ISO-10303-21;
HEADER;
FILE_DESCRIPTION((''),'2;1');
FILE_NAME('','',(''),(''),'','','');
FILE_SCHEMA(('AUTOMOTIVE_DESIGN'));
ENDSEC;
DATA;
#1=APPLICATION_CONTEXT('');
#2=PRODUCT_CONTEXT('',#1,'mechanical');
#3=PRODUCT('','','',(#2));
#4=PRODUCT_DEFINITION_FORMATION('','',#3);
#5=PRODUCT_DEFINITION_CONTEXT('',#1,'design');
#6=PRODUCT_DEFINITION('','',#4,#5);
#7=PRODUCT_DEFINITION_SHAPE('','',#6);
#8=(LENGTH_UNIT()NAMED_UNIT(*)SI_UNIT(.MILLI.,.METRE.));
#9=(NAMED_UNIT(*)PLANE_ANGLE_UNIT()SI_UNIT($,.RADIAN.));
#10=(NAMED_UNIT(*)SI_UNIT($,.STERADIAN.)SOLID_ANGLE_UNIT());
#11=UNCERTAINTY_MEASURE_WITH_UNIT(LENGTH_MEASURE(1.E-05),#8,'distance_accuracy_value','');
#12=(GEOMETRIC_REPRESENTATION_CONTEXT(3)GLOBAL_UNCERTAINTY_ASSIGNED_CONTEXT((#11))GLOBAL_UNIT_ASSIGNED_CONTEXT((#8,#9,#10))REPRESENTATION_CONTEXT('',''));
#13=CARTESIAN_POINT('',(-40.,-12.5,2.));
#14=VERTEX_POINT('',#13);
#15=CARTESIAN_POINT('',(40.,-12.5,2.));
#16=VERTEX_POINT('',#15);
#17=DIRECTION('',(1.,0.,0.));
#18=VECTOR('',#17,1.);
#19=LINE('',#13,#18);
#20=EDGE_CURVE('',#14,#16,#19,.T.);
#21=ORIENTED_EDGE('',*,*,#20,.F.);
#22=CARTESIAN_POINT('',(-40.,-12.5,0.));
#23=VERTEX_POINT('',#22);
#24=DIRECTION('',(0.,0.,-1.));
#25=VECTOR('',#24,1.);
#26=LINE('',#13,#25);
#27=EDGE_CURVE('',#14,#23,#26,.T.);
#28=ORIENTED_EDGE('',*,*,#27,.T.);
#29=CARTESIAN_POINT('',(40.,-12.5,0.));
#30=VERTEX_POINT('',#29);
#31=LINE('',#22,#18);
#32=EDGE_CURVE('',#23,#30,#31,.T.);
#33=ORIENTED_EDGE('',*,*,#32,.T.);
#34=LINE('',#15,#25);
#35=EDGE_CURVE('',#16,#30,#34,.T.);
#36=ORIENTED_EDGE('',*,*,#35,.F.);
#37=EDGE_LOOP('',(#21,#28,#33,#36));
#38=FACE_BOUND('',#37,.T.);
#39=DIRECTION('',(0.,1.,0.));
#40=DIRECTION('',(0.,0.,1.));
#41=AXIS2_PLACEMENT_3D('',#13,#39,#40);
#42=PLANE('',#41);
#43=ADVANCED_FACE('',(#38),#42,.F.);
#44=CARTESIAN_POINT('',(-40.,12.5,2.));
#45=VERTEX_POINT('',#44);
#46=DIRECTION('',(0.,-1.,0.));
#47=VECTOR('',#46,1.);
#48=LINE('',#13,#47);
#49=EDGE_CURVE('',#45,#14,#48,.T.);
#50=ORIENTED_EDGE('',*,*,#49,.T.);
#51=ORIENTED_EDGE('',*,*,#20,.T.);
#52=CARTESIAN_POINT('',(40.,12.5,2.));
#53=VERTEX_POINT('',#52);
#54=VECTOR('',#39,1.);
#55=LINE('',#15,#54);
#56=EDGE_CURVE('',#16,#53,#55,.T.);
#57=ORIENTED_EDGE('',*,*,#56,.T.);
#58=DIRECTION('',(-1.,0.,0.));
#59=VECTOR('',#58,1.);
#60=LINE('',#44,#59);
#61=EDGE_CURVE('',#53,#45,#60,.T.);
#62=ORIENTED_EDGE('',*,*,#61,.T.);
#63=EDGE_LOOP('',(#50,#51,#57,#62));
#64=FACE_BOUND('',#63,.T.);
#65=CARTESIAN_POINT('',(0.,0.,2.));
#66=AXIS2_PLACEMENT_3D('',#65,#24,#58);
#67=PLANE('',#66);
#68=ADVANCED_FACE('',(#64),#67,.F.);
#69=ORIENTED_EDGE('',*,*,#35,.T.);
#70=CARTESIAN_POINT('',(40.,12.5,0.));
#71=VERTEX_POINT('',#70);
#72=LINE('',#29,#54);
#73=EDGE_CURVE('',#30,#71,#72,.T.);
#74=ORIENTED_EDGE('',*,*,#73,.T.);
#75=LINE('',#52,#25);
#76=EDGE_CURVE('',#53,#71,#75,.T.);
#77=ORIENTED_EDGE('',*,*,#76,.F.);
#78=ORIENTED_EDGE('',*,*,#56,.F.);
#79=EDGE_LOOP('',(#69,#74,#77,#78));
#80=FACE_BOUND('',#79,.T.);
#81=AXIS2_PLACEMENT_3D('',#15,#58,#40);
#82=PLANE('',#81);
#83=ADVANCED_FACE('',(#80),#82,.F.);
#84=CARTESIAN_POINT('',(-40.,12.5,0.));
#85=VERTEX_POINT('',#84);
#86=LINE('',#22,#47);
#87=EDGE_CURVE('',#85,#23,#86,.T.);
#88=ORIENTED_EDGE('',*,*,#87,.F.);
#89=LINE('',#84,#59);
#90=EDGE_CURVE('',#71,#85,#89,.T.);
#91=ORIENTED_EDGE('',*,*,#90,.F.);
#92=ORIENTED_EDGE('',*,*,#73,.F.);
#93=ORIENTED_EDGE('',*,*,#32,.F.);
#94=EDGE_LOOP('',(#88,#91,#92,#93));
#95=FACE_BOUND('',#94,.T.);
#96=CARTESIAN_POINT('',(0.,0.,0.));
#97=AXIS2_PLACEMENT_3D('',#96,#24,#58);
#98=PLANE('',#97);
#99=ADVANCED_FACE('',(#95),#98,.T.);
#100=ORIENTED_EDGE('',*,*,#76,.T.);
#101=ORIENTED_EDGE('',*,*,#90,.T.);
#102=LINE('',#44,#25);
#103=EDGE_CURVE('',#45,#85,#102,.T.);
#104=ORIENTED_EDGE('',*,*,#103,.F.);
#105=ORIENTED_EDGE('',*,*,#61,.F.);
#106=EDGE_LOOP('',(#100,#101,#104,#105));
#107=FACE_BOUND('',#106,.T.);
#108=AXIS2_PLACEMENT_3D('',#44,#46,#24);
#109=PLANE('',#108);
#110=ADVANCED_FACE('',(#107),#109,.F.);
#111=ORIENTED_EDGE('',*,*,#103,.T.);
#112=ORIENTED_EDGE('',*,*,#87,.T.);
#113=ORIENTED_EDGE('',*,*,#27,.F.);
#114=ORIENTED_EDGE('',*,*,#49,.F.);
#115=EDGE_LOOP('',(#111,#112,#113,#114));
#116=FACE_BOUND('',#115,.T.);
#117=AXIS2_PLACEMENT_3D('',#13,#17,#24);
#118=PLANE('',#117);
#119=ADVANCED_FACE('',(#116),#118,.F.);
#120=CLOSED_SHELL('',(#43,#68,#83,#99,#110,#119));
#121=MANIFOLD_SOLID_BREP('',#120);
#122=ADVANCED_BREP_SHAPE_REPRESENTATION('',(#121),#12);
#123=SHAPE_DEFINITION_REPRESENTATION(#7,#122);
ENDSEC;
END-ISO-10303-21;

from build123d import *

# Parameters (mm, degrees)
ESQUISSE1_W        = 80
ESQUISSE1_H        = 25
BOSS_EXTRU_1_DEPTH = 2


with BuildPart() as part:
    # Esquisse1 → Boss.-Extru.1 (new body)
    with BuildSketch(Plane.XY):
        Rectangle(ESQUISSE1_W, ESQUISSE1_H)
    extrude(amount=BOSS_EXTRU_1_DEPTH)


solid = part.part
